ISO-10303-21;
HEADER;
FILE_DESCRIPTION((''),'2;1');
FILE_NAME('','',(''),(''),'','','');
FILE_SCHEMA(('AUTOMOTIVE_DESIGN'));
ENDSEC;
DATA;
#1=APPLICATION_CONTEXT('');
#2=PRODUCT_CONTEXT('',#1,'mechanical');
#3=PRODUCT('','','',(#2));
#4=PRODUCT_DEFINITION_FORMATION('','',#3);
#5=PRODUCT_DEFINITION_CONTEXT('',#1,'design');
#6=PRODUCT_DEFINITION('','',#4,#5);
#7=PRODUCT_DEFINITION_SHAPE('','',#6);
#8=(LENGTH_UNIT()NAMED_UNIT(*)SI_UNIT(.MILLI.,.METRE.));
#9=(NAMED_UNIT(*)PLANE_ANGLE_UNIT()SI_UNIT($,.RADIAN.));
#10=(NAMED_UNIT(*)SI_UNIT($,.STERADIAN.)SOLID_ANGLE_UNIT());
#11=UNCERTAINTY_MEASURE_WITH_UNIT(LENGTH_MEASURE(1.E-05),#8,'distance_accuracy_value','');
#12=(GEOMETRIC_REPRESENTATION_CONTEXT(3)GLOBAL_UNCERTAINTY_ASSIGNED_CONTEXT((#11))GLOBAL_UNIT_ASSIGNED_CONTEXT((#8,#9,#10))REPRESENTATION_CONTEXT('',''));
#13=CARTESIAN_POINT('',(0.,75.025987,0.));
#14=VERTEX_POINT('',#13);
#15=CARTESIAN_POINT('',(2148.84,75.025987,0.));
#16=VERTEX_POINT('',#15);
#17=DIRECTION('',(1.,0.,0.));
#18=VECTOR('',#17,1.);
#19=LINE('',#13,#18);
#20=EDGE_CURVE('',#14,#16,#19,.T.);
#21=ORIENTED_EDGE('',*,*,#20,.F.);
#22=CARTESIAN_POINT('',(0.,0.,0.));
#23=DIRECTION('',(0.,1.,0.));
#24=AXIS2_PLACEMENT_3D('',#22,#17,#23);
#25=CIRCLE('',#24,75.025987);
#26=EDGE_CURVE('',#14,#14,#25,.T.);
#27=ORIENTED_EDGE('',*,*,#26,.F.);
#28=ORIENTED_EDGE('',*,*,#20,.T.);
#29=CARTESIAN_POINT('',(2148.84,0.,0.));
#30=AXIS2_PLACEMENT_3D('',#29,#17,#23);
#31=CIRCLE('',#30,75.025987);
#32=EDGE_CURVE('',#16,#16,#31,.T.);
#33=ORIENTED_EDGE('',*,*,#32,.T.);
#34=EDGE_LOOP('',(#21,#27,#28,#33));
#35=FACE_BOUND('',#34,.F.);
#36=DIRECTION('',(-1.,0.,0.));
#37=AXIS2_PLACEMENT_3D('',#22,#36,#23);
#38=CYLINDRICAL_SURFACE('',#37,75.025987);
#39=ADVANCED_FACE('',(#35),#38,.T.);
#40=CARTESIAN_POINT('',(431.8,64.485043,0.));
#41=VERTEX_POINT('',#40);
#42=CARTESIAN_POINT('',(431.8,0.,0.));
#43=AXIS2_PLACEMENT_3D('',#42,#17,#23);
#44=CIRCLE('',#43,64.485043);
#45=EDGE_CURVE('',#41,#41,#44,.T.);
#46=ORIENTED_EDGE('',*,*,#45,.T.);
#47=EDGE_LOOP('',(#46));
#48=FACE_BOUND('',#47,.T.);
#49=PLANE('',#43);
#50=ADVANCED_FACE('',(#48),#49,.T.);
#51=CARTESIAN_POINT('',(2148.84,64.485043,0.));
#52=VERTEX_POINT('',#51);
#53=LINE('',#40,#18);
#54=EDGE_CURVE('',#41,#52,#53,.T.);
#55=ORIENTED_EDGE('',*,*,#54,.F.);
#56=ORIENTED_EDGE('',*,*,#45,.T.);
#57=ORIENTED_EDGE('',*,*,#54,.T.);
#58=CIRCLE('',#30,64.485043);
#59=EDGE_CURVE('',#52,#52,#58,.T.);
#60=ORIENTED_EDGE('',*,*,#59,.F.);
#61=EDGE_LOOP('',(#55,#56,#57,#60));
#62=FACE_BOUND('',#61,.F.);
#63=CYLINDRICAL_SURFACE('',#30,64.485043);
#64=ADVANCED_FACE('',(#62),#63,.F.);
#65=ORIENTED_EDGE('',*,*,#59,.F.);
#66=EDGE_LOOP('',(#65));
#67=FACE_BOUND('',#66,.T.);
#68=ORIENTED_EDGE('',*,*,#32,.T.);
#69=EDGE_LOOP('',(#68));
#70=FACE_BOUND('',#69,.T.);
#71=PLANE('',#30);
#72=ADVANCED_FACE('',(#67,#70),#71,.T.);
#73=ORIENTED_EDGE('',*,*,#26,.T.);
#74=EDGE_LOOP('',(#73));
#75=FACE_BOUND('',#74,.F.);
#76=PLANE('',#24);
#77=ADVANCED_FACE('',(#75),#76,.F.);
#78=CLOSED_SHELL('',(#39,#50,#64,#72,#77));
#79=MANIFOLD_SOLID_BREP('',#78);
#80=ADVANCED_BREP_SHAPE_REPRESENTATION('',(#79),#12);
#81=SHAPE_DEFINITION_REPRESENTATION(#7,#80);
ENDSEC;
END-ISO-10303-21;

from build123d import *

# Parameters (mm, degrees)
F0_R      = 75.025987
F1_DEPTH  = 2148.84
F2_R      = 64.485043
F3_DEPTH  = 203.2
F3_FACE_R = 64.485043
F4_DEPTH  = 1513.84


with BuildPart() as f1:
    # F0 (on Right) → F1 (new body)
    with BuildSketch(Plane.YZ):
        Circle(F0_R)
    extrude(amount=F1_DEPTH)

    # F2 (on face) → F3 (cut)
    with BuildSketch(Plane.YZ.offset(2148.84)):
        Circle(F2_R)
    extrude(amount=-F3_DEPTH, mode=Mode.SUBTRACT)

    # F3_face (on face) → F4 (cut)
    with BuildSketch(Plane.YZ.offset(1945.64)):
        Circle(F3_FACE_R)
    extrude(amount=-F4_DEPTH, mode=Mode.SUBTRACT)


solid = f1.part
